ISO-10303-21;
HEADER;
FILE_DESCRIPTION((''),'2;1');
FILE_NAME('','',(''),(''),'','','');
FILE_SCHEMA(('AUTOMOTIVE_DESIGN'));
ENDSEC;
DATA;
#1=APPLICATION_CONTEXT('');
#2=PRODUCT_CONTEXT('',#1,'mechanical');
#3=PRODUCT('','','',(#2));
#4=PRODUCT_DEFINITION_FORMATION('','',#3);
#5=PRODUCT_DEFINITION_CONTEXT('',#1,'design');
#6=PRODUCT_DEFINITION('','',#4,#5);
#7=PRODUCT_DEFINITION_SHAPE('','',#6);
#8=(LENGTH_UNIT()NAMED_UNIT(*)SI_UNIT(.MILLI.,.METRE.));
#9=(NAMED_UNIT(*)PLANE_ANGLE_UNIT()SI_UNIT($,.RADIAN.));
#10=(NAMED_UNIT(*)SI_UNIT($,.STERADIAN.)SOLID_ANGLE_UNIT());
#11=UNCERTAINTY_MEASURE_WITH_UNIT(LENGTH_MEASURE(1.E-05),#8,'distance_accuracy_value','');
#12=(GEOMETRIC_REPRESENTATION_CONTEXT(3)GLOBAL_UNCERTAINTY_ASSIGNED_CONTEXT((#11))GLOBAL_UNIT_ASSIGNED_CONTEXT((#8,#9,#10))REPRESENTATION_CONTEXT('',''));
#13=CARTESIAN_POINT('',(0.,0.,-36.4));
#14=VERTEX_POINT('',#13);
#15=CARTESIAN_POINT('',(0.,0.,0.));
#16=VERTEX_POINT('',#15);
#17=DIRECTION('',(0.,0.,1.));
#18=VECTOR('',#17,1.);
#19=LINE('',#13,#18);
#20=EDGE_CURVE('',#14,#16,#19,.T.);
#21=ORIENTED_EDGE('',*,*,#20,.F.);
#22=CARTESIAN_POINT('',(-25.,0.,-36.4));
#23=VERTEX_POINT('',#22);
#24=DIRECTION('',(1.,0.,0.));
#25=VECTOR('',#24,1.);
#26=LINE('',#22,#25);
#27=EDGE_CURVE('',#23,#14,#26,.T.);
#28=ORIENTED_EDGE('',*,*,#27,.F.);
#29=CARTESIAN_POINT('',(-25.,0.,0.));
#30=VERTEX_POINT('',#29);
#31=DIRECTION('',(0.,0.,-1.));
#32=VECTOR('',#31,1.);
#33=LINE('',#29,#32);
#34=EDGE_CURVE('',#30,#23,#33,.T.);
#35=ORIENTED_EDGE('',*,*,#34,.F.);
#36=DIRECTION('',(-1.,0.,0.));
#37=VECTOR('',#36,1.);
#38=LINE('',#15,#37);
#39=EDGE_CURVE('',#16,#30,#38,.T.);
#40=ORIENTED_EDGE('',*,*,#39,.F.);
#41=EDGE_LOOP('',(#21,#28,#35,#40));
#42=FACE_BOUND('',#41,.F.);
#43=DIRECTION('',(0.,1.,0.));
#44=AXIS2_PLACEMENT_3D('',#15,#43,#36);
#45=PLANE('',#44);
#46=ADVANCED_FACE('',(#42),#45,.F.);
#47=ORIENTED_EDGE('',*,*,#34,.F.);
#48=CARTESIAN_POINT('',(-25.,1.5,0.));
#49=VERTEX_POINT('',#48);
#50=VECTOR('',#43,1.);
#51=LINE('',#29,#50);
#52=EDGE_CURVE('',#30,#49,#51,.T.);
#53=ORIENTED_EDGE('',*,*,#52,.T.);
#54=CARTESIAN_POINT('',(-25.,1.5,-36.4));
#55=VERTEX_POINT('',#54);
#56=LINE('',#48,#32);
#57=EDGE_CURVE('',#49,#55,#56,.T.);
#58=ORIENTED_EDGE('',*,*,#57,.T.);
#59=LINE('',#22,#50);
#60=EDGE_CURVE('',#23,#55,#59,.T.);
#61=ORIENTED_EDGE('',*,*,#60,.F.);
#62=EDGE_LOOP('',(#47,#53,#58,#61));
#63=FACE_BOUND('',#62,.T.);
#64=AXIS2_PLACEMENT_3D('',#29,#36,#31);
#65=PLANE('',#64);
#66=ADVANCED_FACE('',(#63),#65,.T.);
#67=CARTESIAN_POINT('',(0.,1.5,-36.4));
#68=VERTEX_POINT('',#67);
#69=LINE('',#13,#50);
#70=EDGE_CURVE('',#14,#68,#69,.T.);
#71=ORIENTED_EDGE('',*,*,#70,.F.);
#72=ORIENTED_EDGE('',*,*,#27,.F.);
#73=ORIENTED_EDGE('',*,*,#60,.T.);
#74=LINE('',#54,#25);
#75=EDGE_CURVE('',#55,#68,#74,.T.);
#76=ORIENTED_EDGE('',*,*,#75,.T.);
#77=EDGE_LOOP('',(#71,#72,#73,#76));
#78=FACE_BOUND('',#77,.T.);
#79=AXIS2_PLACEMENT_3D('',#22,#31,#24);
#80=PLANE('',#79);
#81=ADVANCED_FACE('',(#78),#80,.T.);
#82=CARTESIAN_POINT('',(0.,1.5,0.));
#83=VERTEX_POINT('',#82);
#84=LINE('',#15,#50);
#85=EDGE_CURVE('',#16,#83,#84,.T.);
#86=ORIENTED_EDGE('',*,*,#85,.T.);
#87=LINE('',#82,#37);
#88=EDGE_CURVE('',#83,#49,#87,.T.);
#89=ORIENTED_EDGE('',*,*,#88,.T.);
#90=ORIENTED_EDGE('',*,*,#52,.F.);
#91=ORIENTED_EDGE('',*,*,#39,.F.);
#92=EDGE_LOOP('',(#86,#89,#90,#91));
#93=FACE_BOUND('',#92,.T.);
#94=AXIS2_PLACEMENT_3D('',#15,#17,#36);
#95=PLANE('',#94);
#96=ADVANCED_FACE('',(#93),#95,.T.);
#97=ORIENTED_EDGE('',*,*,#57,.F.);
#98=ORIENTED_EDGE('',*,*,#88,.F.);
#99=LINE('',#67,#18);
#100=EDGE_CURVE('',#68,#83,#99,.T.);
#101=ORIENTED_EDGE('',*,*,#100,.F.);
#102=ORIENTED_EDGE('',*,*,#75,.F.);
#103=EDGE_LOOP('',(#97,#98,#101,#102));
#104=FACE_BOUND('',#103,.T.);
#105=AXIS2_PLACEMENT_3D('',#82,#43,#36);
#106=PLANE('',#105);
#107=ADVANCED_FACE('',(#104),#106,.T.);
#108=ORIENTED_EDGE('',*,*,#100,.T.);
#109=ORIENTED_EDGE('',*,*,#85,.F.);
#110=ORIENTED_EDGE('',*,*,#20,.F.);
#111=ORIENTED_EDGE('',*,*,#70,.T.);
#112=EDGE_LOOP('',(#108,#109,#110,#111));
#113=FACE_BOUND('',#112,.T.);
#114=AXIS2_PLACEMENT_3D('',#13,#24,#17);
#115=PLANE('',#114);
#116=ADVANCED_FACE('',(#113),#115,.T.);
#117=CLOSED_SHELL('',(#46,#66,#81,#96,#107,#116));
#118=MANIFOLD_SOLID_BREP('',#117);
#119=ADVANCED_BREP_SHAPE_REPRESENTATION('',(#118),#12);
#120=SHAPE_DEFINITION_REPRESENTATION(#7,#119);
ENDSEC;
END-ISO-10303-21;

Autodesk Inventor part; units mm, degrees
ref_plane "YZ Plane" through (0, 0, 0) normal (1, 0, 0) x (0, 1, 0)
ref_plane "XZ Plane" through (0, 0, 0) normal (0, 1, 0) x (-1, 0, 0)
ref_plane "XY Plane" through (0, 0, 0) normal (0, 0, 1) x (1, 0, 0)
sketch "Sketch1" plane through (0, 0, 0) normal (0, 1, 0) x (-1, 0, 0)
  line L0 (0, 0) -> (25, 0)
  line L1 (25, 0) -> (25, -36.4)
  line L2 (25, -36.4) -> (0, -36.4)
  line L3 (0, -36.4) -> (0, 0)
  dimension "d0" = 25
  dimension "d1" = 36.4
extrude "Extrusion1" add sketch "Sketch1" along normal blind 1.5
properties part number "Fenster_OLED" material "Glass"
